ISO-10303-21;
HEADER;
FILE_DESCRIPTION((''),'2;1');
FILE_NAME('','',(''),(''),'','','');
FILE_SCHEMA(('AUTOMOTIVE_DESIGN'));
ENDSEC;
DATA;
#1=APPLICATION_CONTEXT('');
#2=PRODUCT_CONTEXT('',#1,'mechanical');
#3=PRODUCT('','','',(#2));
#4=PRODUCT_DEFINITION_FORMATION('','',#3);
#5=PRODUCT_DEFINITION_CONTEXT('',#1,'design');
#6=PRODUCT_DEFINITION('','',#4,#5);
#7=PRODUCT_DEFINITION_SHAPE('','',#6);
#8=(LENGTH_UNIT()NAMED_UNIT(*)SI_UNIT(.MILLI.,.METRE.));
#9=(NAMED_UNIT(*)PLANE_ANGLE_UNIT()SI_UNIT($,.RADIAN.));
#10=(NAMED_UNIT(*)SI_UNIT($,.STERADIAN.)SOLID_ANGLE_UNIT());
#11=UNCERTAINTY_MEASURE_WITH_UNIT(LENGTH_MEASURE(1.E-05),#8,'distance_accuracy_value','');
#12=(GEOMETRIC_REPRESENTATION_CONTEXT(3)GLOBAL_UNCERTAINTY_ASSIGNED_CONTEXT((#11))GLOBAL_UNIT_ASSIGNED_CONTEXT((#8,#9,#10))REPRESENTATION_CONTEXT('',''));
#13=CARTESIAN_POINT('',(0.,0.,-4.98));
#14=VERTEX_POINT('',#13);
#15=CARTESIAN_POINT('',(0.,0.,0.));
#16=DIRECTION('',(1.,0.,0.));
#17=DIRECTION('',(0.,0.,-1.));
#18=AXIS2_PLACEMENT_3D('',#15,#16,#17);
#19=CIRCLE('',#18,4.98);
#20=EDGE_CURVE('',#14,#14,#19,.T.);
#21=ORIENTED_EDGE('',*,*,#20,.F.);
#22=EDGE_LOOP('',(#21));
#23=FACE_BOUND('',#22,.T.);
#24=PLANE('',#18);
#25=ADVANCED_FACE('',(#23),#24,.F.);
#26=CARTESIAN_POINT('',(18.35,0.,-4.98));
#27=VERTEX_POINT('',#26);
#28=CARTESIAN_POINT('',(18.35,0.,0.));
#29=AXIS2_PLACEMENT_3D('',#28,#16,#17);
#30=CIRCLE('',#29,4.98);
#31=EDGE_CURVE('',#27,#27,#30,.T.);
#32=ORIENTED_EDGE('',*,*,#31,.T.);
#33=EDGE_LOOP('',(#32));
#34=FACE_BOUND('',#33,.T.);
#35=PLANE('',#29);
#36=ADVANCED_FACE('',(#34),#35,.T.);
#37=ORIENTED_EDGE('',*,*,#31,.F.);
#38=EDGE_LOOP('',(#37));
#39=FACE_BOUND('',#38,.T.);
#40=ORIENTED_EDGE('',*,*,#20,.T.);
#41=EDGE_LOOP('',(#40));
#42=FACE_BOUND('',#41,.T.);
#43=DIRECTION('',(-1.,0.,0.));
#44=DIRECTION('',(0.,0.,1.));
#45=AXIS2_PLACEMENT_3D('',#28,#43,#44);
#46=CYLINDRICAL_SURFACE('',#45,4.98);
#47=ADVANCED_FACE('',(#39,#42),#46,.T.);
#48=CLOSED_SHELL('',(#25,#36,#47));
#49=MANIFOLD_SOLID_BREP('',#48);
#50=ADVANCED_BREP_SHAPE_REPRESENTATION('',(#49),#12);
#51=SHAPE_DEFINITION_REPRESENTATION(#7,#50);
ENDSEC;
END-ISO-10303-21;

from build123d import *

# Parameters (mm, degrees)
SKETCH1_R           = 4.98
BOSS_EXTRUDE1_DEPTH = 18.35


with BuildPart() as part:
    # Sketch1 → Boss-Extrude1 (new body)
    with BuildSketch(Plane.YZ):
        with Locations(Location((0, 0, 0), (0, 0, 270))):
            Circle(SKETCH1_R)
    extrude(amount=BOSS_EXTRUDE1_DEPTH)


solid = part.part
